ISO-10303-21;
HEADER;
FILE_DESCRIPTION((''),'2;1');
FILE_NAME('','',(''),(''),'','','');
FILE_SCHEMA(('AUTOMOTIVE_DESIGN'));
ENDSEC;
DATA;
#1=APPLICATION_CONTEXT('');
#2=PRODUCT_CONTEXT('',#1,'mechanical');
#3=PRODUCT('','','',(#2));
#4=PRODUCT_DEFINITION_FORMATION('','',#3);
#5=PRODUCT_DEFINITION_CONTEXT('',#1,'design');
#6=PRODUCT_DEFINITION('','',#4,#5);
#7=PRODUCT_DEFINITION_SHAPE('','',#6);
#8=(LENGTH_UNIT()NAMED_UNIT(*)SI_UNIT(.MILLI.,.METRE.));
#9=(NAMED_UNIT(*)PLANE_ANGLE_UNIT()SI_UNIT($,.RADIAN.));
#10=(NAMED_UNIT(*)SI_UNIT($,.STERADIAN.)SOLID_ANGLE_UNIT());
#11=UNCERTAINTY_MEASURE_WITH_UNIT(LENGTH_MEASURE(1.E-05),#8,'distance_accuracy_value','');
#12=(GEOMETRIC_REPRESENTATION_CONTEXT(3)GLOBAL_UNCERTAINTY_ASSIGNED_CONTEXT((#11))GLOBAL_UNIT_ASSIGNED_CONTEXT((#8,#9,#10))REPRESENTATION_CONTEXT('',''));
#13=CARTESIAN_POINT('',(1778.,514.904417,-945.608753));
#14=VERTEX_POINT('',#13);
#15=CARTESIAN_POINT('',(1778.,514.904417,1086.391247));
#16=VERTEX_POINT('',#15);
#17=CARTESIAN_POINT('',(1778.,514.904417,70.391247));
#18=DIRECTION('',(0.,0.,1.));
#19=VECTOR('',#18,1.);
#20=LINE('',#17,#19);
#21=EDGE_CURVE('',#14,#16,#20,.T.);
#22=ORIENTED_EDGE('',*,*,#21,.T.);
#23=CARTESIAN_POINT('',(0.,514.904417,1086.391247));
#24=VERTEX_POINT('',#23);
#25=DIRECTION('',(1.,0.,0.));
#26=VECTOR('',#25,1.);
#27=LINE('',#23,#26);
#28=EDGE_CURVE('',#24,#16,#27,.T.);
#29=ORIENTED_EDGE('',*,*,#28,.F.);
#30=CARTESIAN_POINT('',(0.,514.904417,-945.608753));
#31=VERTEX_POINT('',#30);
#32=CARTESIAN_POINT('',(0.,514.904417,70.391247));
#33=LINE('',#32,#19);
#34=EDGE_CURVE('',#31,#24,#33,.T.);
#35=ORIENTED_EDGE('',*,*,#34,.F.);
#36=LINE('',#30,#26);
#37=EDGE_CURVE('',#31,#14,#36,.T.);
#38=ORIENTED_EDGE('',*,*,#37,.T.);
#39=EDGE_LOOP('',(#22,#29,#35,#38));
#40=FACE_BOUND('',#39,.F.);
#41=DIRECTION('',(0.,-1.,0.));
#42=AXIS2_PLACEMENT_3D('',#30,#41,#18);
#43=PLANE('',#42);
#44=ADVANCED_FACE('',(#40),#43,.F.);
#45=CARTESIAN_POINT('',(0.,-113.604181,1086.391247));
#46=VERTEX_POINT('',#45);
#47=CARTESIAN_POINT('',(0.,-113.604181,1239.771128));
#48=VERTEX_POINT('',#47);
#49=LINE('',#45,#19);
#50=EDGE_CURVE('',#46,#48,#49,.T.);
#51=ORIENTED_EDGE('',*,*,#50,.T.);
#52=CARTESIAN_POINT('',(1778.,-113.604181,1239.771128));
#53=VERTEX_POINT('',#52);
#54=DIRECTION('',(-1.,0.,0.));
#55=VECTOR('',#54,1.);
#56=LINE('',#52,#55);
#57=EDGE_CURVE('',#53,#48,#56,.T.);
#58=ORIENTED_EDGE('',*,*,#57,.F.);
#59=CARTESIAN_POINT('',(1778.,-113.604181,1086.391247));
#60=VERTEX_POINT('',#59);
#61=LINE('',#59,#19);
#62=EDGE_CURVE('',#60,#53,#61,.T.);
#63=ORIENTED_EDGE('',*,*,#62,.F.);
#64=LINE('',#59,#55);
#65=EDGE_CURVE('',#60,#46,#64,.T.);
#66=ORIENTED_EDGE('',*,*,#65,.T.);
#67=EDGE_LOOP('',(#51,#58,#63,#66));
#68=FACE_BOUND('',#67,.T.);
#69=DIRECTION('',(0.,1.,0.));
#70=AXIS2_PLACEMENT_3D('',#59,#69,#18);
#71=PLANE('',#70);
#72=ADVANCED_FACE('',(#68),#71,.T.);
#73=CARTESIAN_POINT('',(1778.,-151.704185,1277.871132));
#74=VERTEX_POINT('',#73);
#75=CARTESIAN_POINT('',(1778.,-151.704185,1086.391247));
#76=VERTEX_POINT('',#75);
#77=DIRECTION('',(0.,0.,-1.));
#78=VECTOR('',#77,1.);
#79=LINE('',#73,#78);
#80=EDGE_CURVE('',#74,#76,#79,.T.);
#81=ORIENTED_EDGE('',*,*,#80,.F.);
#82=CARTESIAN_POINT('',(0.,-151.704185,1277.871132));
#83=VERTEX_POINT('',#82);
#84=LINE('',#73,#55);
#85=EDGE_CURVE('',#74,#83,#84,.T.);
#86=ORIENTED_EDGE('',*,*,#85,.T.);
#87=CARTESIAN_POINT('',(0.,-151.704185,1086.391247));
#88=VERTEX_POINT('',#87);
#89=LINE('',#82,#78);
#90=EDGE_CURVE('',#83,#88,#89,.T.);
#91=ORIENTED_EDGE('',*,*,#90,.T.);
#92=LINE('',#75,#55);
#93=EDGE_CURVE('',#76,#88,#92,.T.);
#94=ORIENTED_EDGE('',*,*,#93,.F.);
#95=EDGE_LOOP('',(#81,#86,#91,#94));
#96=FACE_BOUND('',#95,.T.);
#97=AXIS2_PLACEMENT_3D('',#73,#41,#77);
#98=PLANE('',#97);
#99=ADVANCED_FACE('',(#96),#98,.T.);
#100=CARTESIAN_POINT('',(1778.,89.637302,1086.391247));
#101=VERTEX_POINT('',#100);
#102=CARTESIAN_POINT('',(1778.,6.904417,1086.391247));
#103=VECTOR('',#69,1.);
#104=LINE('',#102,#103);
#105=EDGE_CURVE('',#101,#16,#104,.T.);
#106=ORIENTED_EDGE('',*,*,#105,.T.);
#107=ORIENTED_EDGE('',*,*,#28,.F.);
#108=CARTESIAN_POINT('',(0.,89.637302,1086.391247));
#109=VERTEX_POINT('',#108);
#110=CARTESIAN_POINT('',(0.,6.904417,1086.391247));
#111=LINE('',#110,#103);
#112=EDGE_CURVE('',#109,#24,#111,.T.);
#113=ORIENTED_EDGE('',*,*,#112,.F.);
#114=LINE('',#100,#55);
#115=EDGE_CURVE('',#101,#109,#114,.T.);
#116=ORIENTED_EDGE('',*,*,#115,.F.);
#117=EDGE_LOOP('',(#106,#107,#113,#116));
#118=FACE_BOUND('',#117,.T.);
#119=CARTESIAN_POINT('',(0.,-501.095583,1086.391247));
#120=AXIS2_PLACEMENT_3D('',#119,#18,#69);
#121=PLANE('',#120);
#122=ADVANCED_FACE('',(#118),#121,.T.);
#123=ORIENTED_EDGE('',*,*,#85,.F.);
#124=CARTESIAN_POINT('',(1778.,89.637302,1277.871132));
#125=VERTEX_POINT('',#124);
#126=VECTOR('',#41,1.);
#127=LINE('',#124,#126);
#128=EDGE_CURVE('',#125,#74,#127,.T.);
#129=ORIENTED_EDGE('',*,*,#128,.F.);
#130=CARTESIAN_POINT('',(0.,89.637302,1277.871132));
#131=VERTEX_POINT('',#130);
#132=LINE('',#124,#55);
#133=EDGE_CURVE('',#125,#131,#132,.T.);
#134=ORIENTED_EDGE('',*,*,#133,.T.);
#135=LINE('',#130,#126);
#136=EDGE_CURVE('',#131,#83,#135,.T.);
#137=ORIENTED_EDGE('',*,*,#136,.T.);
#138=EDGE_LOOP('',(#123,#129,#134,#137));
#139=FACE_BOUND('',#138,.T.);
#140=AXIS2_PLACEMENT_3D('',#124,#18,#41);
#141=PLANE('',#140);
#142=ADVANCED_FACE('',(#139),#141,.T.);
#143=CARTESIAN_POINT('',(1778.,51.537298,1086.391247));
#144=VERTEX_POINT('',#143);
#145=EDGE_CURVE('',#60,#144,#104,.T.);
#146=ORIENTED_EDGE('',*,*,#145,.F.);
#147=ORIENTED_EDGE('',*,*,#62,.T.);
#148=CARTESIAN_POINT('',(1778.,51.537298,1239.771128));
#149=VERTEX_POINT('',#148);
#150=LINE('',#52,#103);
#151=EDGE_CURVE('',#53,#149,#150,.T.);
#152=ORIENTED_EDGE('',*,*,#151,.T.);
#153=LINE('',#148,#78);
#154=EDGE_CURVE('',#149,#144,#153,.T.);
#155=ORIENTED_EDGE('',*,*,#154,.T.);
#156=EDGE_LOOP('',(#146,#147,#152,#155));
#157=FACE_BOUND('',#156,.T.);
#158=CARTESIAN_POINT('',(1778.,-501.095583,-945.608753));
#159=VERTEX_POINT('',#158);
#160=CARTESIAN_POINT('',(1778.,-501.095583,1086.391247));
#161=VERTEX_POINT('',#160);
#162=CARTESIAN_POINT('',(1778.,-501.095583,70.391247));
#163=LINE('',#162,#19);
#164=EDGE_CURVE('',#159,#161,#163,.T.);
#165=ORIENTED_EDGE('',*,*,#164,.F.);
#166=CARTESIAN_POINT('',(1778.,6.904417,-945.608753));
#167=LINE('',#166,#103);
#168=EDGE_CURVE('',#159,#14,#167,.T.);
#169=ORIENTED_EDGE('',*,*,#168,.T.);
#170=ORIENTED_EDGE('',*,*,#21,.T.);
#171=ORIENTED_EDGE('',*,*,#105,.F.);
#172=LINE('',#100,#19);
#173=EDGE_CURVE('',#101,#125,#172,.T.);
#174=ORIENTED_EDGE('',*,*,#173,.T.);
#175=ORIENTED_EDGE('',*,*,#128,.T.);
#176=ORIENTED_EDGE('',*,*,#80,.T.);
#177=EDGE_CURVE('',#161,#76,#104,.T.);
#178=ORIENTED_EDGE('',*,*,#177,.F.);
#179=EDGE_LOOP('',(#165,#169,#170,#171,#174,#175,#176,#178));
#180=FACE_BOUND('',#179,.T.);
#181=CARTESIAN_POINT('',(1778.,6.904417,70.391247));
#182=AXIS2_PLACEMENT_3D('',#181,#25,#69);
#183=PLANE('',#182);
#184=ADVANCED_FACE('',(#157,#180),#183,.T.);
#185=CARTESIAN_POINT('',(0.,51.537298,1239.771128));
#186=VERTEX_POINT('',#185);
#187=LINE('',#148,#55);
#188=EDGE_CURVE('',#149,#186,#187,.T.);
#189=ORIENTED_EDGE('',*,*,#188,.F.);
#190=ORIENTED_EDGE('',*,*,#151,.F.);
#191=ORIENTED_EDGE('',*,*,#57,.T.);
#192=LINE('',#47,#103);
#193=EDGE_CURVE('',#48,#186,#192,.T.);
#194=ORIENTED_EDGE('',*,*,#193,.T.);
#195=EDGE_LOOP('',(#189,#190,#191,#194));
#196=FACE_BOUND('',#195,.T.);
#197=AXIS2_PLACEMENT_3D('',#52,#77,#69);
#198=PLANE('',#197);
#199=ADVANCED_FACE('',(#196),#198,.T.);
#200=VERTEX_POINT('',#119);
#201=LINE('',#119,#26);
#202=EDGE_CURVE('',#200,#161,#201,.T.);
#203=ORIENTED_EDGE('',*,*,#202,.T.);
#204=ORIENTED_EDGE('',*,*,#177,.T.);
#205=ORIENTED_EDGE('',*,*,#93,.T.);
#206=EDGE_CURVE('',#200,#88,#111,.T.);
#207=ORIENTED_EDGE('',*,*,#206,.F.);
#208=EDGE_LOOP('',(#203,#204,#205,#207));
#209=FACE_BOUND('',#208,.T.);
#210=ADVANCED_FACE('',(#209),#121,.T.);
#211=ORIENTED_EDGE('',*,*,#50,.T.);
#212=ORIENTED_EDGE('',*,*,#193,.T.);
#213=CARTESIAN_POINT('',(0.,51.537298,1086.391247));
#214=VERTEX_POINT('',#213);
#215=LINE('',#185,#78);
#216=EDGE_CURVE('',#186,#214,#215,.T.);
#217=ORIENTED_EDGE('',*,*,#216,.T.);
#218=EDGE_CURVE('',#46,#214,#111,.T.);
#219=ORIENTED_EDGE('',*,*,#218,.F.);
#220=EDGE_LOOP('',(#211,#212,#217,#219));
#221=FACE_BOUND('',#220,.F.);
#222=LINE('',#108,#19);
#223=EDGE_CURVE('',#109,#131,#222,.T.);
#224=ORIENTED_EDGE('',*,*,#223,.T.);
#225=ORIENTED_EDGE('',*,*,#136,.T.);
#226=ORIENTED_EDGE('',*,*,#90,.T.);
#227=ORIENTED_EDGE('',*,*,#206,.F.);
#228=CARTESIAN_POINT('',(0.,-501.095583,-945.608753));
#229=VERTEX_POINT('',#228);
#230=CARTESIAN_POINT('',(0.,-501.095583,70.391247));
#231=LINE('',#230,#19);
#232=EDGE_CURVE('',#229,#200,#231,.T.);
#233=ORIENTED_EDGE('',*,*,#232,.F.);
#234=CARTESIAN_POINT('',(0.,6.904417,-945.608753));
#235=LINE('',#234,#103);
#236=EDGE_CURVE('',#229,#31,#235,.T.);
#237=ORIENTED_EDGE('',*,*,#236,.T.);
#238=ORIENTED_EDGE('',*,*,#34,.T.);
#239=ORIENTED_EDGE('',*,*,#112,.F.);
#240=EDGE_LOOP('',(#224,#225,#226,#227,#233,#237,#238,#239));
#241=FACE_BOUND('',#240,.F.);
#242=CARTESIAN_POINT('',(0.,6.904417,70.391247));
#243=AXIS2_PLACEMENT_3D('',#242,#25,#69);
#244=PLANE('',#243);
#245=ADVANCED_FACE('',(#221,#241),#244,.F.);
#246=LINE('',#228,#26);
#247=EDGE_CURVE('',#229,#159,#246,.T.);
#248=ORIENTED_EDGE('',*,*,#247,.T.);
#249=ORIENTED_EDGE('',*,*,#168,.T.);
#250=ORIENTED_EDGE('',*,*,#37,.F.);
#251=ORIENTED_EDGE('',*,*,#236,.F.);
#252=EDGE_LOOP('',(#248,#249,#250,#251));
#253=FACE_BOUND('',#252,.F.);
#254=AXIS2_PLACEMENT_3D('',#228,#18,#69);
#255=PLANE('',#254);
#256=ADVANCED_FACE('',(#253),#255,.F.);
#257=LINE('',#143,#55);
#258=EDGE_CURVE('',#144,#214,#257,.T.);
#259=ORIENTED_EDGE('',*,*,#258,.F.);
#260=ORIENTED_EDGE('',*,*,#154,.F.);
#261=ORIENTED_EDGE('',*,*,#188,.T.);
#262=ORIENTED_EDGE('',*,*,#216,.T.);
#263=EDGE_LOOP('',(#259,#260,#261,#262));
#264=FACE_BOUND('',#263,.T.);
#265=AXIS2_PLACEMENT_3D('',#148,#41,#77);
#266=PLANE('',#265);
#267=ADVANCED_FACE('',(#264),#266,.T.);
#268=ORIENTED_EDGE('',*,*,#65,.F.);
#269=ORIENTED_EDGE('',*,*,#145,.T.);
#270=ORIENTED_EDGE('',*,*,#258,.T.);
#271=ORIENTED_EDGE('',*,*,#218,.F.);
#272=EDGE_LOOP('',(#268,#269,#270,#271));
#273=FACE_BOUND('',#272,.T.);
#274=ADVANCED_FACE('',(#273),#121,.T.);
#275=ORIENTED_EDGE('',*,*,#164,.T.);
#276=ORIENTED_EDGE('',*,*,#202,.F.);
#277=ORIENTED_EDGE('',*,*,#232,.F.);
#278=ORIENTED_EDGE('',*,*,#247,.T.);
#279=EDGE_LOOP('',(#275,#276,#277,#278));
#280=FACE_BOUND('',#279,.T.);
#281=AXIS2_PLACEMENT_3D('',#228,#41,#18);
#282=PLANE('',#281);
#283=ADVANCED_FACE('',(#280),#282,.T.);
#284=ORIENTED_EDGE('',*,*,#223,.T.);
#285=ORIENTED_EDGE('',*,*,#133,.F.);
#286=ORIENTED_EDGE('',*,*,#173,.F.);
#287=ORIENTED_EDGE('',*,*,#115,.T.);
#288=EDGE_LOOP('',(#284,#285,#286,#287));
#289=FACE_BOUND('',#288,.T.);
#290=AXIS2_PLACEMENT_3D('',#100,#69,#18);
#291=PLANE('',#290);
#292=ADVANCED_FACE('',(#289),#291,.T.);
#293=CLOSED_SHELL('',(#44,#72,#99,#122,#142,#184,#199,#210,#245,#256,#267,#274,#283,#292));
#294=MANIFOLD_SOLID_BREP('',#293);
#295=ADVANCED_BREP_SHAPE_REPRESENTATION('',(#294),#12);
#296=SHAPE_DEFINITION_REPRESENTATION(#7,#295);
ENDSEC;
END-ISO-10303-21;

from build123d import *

# Parameters (mm, degrees)
F0_W     = 1016
F0_H     = 2032
F1_DEPTH = 1778
F3_DEPTH = 1778


with BuildPart() as f1:
    # F0 (on Right) → F1 (new body)
    with BuildSketch(Plane.YZ):
        with Locations((6.904417, 70.391247)):
            Rectangle(F0_W, F0_H)
    extrude(amount=F1_DEPTH)

    # F2 (on face) → F3 (join)
    with BuildSketch(Plane.YZ.offset(1778)):
        Polygon((-151.704185, 1086.391247), (-113.604181, 1086.391247), (-113.604181, 1239.771128), (51.537298, 1239.771128), (51.537298, 1086.391247), (89.637302, 1086.391247), (89.637302, 1277.871132), (-151.704185, 1277.871132), align=None)
    extrude(amount=-F3_DEPTH)


solid = f1.part
